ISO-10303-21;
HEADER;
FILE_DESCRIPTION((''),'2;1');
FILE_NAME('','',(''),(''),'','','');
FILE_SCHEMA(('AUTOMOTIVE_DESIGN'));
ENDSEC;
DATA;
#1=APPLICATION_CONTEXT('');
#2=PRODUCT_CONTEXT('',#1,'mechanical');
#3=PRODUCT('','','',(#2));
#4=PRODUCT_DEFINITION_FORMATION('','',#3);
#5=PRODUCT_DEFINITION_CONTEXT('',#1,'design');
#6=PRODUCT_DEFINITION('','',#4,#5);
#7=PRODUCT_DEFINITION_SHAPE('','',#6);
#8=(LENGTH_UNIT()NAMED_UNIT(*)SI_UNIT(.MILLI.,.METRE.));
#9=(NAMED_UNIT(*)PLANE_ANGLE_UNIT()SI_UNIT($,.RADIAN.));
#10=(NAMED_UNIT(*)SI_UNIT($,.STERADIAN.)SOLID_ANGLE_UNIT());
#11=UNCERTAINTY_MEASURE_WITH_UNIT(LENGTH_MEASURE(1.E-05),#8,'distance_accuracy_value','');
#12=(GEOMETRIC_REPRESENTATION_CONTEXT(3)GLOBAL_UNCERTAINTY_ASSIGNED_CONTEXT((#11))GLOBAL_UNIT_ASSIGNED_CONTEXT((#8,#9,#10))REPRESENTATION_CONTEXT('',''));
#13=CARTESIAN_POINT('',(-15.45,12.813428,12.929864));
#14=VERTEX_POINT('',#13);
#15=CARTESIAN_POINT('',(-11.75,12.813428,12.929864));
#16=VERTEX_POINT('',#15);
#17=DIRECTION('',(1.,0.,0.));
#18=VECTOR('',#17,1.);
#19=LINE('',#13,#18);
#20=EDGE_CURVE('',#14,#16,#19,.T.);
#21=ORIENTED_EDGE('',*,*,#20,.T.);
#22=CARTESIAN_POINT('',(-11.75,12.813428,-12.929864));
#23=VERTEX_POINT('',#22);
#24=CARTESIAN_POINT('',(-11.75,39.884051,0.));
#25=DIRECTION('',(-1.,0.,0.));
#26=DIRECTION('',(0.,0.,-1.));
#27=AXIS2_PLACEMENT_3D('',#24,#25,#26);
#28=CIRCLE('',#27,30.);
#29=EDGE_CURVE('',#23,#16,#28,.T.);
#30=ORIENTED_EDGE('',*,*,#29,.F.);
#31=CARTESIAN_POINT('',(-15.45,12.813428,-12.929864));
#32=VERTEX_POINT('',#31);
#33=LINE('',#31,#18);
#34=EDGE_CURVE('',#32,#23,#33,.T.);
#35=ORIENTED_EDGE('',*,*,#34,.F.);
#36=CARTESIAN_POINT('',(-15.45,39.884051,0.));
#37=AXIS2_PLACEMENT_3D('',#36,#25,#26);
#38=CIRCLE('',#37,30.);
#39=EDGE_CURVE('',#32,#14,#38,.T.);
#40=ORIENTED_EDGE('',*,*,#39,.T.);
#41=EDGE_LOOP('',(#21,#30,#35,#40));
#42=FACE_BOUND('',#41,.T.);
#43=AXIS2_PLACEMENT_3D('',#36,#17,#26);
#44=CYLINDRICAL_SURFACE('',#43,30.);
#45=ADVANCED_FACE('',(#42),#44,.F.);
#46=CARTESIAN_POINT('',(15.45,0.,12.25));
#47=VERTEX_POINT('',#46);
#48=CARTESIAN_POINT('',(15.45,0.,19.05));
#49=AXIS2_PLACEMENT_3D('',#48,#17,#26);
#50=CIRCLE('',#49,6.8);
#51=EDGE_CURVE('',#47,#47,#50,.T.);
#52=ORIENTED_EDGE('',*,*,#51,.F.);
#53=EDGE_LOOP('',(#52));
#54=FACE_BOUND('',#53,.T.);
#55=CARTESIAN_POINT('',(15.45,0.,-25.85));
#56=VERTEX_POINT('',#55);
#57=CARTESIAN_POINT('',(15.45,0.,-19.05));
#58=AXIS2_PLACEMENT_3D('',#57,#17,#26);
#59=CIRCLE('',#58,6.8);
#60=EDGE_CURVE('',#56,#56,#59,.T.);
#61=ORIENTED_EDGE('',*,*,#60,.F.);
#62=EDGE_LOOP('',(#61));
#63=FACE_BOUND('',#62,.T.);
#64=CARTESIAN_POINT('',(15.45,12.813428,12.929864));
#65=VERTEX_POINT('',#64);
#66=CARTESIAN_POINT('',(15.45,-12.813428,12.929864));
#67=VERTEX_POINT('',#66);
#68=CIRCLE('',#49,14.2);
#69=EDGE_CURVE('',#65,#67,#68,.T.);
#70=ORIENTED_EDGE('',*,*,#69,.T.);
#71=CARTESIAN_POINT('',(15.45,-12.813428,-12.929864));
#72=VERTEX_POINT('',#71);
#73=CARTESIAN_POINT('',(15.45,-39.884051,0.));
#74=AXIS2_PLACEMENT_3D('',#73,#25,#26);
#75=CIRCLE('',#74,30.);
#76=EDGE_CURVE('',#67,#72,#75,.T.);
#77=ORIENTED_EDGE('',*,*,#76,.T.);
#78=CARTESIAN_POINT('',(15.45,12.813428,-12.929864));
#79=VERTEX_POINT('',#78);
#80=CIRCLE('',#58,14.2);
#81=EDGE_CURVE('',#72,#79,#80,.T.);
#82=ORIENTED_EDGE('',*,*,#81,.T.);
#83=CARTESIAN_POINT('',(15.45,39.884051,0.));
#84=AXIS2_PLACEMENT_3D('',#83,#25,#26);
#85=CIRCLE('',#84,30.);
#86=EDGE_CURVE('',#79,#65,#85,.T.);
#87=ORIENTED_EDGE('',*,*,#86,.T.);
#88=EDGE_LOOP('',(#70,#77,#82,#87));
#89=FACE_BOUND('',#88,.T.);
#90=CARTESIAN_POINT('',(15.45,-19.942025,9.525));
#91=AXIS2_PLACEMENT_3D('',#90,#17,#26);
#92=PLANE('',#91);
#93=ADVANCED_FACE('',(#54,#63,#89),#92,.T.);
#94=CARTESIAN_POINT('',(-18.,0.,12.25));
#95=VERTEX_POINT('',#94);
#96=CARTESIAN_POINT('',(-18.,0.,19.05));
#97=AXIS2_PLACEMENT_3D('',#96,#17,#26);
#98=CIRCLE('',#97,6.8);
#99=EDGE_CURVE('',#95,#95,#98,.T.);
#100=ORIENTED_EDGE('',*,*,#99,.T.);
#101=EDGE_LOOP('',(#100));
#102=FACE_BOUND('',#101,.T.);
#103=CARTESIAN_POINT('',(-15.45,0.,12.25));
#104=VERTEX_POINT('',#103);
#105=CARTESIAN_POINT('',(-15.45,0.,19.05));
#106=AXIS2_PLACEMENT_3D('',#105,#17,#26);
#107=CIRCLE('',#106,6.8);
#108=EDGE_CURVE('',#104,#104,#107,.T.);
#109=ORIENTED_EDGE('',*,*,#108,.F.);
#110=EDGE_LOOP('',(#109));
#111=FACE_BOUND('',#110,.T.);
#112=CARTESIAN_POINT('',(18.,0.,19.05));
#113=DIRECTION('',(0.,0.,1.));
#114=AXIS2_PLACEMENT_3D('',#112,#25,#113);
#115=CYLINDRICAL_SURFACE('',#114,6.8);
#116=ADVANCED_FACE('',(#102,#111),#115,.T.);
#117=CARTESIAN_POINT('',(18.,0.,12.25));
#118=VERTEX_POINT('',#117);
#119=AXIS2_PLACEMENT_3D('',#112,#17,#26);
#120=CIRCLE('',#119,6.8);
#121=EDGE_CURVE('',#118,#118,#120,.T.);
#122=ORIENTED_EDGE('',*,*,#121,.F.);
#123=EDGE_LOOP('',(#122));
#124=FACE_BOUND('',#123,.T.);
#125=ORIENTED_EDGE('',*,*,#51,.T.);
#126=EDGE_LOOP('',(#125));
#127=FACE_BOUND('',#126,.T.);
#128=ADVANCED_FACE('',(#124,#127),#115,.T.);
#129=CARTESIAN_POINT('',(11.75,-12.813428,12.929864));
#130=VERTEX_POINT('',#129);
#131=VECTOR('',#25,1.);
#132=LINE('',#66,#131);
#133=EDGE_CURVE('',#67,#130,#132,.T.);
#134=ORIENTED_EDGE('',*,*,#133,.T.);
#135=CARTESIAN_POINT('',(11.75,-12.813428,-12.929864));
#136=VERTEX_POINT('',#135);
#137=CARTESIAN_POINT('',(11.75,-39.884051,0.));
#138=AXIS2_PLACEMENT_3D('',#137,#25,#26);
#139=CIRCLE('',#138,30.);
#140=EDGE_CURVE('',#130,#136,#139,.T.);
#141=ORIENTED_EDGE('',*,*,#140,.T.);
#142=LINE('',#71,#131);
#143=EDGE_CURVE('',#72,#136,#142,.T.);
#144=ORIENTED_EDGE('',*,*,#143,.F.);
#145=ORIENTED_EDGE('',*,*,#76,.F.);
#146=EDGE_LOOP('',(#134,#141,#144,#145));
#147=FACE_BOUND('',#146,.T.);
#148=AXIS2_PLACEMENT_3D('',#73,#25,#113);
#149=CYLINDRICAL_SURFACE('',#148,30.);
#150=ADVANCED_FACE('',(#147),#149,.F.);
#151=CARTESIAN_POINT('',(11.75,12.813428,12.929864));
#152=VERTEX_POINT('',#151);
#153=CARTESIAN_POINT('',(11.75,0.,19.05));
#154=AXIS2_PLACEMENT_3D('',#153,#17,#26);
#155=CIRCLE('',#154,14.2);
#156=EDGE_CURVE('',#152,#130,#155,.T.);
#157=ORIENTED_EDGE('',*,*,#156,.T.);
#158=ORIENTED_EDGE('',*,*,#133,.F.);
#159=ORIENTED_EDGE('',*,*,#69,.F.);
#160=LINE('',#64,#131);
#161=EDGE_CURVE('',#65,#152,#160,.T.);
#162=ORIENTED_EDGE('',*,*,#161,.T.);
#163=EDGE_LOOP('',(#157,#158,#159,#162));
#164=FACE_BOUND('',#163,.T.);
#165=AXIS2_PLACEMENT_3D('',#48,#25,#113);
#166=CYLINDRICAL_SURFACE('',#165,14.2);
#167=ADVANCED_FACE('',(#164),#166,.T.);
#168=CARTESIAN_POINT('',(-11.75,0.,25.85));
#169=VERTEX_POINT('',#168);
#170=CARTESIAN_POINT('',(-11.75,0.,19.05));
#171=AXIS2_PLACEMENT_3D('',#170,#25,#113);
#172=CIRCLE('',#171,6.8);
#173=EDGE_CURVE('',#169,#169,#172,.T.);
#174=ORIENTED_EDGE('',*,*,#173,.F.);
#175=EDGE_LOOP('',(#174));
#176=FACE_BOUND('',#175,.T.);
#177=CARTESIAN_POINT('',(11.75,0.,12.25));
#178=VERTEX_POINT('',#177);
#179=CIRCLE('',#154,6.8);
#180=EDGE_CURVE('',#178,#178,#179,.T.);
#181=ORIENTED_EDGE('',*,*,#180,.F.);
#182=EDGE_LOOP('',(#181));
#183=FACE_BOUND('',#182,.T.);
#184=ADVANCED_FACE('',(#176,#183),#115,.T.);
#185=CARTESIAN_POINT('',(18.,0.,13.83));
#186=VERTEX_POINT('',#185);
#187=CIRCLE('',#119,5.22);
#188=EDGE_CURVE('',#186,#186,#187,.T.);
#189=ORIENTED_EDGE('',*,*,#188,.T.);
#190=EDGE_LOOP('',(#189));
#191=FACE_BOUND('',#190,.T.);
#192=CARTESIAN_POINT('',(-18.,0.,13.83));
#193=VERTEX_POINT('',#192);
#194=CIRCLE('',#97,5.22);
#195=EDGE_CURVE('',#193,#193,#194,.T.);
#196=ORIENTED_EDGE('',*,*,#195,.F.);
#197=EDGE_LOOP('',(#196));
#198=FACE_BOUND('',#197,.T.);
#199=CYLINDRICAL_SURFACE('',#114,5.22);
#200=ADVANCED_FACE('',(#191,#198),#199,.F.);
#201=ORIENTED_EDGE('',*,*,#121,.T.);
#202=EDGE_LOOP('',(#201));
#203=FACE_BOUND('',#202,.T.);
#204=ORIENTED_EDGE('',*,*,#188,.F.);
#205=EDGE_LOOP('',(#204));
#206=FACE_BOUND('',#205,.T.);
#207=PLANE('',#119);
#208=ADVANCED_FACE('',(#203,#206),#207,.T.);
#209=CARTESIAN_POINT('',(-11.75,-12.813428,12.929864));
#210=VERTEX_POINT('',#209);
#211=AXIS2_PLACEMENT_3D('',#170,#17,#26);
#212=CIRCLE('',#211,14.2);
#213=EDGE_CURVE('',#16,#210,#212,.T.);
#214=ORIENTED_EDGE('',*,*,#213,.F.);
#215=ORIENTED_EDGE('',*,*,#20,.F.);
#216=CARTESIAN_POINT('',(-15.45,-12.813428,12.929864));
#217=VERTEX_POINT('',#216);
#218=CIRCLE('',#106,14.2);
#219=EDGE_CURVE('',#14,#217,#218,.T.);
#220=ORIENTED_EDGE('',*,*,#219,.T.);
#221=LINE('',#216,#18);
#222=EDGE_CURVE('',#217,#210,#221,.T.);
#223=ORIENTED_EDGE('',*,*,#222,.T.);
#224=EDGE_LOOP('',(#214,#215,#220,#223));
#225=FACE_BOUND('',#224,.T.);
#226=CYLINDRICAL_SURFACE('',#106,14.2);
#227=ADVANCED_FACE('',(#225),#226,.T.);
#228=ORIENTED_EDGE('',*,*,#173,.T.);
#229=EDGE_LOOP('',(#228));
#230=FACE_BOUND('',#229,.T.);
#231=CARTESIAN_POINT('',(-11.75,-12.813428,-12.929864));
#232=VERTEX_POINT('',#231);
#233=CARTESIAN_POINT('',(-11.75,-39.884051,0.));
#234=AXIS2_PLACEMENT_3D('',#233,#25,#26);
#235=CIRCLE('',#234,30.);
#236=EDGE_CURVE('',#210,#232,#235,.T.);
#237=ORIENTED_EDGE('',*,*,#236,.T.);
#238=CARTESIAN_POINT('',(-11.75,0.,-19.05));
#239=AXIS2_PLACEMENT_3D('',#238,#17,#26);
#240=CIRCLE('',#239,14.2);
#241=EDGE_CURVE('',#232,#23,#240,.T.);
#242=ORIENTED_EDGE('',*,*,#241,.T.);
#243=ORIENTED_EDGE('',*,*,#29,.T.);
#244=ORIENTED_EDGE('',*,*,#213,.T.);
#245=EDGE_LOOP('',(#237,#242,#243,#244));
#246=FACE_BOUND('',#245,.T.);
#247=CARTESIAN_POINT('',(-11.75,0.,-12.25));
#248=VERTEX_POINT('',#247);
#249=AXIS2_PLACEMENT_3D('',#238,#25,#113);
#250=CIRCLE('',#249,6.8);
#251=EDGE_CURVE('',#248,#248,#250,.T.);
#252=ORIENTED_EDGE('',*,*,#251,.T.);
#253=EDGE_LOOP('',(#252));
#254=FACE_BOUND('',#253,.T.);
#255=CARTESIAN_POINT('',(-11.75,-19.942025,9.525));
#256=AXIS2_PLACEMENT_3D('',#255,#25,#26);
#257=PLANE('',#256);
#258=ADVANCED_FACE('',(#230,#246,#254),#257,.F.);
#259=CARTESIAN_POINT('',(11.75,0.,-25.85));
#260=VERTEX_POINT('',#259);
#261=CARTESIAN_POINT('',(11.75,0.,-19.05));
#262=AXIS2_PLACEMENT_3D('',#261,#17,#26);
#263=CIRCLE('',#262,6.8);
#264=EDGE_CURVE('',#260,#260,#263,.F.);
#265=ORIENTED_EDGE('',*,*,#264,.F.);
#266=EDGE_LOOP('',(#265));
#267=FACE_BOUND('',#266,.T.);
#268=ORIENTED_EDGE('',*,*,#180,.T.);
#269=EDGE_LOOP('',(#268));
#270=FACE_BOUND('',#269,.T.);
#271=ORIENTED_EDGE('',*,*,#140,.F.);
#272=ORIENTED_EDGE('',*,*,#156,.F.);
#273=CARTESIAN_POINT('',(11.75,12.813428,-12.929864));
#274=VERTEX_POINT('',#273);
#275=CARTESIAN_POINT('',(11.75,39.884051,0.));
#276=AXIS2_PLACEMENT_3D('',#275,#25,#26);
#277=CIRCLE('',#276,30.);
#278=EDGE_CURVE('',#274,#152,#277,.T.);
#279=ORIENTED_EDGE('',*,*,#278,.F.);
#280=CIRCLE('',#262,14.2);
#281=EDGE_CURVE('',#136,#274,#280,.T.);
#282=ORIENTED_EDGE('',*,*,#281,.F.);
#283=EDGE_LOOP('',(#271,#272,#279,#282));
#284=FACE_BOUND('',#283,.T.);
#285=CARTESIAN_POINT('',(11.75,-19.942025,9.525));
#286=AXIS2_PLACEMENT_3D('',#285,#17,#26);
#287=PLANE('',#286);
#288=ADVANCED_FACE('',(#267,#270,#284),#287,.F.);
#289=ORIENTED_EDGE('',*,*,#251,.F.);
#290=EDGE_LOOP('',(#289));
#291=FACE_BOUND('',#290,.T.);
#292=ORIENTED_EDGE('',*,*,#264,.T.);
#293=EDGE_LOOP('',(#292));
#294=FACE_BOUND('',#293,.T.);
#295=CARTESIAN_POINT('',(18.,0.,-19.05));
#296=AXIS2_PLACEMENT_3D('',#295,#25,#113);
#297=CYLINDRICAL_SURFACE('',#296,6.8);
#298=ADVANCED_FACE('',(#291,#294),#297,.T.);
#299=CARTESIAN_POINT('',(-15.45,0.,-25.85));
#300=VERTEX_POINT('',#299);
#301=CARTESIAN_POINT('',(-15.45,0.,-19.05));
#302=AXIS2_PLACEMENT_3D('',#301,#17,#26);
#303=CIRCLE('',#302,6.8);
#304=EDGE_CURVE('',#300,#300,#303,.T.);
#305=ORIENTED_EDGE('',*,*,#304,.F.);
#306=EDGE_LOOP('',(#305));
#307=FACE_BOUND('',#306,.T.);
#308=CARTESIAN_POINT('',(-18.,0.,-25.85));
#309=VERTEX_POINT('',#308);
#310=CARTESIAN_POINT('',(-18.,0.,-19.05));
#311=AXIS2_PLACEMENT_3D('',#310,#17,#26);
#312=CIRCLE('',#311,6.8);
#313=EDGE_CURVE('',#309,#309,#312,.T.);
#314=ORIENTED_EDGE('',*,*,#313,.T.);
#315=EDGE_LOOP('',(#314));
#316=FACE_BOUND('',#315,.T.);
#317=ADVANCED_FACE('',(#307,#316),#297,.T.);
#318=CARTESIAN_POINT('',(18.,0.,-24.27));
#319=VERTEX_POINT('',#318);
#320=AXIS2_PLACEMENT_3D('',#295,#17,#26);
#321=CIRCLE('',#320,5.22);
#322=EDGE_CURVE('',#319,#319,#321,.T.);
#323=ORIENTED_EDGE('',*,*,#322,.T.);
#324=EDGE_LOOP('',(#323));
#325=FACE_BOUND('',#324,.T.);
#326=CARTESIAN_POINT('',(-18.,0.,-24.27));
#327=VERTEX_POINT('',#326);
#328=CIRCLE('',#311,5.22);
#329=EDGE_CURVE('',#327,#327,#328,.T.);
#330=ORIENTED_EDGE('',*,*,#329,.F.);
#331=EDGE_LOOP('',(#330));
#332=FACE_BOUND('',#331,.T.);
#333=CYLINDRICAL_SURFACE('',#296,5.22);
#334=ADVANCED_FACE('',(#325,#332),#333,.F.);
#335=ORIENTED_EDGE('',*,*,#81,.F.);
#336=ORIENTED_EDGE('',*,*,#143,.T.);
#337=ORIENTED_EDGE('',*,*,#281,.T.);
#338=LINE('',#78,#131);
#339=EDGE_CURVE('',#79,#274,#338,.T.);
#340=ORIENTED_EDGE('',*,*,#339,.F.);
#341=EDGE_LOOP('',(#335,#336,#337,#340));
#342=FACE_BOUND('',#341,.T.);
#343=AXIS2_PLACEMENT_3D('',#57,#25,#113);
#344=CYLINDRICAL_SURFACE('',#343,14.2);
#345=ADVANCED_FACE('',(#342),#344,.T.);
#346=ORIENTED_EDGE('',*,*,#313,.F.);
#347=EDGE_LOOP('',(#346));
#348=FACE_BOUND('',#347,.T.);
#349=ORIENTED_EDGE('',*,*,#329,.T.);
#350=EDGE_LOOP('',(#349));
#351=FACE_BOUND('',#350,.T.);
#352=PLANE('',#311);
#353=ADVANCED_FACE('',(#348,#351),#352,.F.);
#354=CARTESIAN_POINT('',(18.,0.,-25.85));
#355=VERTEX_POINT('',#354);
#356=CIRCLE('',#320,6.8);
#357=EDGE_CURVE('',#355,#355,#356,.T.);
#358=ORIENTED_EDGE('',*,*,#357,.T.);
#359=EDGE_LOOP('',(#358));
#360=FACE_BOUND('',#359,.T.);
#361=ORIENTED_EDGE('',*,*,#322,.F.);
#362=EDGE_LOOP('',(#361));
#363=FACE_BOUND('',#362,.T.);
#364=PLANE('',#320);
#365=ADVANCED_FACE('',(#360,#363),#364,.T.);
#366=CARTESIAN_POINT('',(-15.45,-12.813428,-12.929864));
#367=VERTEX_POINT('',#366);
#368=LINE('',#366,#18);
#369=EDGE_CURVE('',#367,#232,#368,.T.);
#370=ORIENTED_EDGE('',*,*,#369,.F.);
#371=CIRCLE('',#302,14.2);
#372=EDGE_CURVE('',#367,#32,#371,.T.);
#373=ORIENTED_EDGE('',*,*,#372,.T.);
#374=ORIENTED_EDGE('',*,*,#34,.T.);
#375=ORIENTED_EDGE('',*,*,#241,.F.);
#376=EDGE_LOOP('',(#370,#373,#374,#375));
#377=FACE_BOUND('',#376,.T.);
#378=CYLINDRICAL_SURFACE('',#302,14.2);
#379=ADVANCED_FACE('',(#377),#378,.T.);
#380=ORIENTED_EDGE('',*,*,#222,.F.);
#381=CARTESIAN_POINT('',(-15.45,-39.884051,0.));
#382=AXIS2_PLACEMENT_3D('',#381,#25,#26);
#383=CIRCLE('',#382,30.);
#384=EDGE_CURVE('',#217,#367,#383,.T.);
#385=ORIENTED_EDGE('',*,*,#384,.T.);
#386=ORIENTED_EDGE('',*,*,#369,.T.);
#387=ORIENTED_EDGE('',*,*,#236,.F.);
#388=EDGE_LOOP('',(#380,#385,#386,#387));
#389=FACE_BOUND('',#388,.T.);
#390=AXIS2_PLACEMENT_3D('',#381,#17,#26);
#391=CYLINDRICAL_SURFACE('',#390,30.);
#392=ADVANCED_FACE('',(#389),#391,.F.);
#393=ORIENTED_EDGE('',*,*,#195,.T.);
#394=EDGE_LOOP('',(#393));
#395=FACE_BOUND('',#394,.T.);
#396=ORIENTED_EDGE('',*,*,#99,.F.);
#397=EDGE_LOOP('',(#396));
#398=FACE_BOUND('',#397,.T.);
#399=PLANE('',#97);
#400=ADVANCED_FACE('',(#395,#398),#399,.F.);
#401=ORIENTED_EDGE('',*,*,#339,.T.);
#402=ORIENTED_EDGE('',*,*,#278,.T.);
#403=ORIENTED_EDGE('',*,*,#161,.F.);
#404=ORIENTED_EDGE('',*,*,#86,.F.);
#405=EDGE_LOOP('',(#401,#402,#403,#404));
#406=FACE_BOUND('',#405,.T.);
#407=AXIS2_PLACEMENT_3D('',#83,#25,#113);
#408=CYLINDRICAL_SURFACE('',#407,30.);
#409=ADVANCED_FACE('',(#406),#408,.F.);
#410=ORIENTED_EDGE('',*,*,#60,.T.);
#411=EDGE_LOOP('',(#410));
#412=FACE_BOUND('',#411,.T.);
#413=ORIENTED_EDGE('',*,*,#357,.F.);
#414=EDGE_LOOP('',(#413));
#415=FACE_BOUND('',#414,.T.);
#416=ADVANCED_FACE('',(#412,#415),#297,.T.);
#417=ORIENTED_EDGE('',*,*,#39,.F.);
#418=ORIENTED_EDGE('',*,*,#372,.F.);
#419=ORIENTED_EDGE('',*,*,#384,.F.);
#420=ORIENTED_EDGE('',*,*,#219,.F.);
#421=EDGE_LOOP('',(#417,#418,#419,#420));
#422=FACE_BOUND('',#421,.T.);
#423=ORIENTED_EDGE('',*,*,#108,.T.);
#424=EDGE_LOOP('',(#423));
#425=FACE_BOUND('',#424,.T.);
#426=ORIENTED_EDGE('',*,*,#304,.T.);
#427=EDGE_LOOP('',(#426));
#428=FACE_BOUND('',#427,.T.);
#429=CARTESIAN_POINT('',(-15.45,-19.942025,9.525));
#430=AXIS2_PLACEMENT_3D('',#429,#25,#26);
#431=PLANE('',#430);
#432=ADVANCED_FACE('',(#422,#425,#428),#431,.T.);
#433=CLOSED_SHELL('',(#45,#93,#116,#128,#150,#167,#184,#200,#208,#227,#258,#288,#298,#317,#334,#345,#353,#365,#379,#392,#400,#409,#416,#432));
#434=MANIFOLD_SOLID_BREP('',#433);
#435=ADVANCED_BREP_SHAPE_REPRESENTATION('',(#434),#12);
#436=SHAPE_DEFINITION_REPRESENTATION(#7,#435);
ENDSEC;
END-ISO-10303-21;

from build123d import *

# Parameters (mm, degrees)
SKETCH_1_R        = 6.8
SKETCH_1_R_2      = 5.22
EXTRUDE_1_DEPTH   = 18
EXTRUDE_1_2_DEPTH = 18
EXTRUDE_START     = 15.45
SKETCH_3_R        = 6.8
EXTRUDE_3_DEPTH   = 3.7


with BuildPart() as part:
    # Эскиз1 → Бобышка-Вытянуть1 (new, symmetric)
    with BuildSketch(Plane(origin=(0, 0, 0), x_dir=(0, 0, -1), z_dir=(1, 0, 0))):
        with Locations((-19.05, 0)):
            Circle(SKETCH_1_R)
        with Locations((-19.05, 0)):
            Circle(SKETCH_1_R_2, mode=Mode.SUBTRACT)
    extrude(amount=EXTRUDE_1_DEPTH, both=True)



with BuildPart() as body_2:
    # Эскиз1 → Extrude 1 2 (new, symmetric)
    with BuildSketch(Plane(origin=(0, 0, 0), x_dir=(0, 0, -1), z_dir=(1, 0, 0))):
        with Locations((19.05, 0)):
            Circle(SKETCH_1_R)
        with Locations((19.05, 0)):
            Circle(SKETCH_1_R_2, mode=Mode.SUBTRACT)
    extrude(amount=EXTRUDE_1_2_DEPTH, both=True)


with BuildPart() as part_1:
    add(part.part)

    add(body_2.part)  # Бобышка-Вытянуть3 merges body 2
    # Эскиз3 → Бобышка-Вытянуть3 (add)
    with BuildSketch(Plane(origin=(0, 0, 0), x_dir=(0, 0, -1), z_dir=(1, 0, 0)).offset(EXTRUDE_START)):
        with BuildLine():
            ThreePointArc((-12.929864253, 12.813428052), (-33.25, 0), (-12.929864253, -12.813428052))
            ThreePointArc((-12.929864253, -12.813428052), (0, -9.884050697), (12.929864253, -12.813428052))
            ThreePointArc((12.929864253, -12.813428052), (33.25, 0), (12.929864253, 12.813428052))
            ThreePointArc((12.929864253, 12.813428052), (0, 9.884050697), (-12.929864253, 12.813428052))
        make_face()
        with Locations((-19.05, 0)):
            Circle(SKETCH_3_R, mode=Mode.SUBTRACT)
        with Locations((19.05, 0)):
            Circle(SKETCH_3_R, mode=Mode.SUBTRACT)
    extrude_3 = extrude(amount=-EXTRUDE_3_DEPTH)

    # Зеркальное отражение1: Бобышка-Вытянуть3 across plane
    add(extrude_3.mirror(Plane(origin=(0, 0, 0), x_dir=(0, 0, 1), z_dir=(1, 0, 0))))


solid = part_1.part
